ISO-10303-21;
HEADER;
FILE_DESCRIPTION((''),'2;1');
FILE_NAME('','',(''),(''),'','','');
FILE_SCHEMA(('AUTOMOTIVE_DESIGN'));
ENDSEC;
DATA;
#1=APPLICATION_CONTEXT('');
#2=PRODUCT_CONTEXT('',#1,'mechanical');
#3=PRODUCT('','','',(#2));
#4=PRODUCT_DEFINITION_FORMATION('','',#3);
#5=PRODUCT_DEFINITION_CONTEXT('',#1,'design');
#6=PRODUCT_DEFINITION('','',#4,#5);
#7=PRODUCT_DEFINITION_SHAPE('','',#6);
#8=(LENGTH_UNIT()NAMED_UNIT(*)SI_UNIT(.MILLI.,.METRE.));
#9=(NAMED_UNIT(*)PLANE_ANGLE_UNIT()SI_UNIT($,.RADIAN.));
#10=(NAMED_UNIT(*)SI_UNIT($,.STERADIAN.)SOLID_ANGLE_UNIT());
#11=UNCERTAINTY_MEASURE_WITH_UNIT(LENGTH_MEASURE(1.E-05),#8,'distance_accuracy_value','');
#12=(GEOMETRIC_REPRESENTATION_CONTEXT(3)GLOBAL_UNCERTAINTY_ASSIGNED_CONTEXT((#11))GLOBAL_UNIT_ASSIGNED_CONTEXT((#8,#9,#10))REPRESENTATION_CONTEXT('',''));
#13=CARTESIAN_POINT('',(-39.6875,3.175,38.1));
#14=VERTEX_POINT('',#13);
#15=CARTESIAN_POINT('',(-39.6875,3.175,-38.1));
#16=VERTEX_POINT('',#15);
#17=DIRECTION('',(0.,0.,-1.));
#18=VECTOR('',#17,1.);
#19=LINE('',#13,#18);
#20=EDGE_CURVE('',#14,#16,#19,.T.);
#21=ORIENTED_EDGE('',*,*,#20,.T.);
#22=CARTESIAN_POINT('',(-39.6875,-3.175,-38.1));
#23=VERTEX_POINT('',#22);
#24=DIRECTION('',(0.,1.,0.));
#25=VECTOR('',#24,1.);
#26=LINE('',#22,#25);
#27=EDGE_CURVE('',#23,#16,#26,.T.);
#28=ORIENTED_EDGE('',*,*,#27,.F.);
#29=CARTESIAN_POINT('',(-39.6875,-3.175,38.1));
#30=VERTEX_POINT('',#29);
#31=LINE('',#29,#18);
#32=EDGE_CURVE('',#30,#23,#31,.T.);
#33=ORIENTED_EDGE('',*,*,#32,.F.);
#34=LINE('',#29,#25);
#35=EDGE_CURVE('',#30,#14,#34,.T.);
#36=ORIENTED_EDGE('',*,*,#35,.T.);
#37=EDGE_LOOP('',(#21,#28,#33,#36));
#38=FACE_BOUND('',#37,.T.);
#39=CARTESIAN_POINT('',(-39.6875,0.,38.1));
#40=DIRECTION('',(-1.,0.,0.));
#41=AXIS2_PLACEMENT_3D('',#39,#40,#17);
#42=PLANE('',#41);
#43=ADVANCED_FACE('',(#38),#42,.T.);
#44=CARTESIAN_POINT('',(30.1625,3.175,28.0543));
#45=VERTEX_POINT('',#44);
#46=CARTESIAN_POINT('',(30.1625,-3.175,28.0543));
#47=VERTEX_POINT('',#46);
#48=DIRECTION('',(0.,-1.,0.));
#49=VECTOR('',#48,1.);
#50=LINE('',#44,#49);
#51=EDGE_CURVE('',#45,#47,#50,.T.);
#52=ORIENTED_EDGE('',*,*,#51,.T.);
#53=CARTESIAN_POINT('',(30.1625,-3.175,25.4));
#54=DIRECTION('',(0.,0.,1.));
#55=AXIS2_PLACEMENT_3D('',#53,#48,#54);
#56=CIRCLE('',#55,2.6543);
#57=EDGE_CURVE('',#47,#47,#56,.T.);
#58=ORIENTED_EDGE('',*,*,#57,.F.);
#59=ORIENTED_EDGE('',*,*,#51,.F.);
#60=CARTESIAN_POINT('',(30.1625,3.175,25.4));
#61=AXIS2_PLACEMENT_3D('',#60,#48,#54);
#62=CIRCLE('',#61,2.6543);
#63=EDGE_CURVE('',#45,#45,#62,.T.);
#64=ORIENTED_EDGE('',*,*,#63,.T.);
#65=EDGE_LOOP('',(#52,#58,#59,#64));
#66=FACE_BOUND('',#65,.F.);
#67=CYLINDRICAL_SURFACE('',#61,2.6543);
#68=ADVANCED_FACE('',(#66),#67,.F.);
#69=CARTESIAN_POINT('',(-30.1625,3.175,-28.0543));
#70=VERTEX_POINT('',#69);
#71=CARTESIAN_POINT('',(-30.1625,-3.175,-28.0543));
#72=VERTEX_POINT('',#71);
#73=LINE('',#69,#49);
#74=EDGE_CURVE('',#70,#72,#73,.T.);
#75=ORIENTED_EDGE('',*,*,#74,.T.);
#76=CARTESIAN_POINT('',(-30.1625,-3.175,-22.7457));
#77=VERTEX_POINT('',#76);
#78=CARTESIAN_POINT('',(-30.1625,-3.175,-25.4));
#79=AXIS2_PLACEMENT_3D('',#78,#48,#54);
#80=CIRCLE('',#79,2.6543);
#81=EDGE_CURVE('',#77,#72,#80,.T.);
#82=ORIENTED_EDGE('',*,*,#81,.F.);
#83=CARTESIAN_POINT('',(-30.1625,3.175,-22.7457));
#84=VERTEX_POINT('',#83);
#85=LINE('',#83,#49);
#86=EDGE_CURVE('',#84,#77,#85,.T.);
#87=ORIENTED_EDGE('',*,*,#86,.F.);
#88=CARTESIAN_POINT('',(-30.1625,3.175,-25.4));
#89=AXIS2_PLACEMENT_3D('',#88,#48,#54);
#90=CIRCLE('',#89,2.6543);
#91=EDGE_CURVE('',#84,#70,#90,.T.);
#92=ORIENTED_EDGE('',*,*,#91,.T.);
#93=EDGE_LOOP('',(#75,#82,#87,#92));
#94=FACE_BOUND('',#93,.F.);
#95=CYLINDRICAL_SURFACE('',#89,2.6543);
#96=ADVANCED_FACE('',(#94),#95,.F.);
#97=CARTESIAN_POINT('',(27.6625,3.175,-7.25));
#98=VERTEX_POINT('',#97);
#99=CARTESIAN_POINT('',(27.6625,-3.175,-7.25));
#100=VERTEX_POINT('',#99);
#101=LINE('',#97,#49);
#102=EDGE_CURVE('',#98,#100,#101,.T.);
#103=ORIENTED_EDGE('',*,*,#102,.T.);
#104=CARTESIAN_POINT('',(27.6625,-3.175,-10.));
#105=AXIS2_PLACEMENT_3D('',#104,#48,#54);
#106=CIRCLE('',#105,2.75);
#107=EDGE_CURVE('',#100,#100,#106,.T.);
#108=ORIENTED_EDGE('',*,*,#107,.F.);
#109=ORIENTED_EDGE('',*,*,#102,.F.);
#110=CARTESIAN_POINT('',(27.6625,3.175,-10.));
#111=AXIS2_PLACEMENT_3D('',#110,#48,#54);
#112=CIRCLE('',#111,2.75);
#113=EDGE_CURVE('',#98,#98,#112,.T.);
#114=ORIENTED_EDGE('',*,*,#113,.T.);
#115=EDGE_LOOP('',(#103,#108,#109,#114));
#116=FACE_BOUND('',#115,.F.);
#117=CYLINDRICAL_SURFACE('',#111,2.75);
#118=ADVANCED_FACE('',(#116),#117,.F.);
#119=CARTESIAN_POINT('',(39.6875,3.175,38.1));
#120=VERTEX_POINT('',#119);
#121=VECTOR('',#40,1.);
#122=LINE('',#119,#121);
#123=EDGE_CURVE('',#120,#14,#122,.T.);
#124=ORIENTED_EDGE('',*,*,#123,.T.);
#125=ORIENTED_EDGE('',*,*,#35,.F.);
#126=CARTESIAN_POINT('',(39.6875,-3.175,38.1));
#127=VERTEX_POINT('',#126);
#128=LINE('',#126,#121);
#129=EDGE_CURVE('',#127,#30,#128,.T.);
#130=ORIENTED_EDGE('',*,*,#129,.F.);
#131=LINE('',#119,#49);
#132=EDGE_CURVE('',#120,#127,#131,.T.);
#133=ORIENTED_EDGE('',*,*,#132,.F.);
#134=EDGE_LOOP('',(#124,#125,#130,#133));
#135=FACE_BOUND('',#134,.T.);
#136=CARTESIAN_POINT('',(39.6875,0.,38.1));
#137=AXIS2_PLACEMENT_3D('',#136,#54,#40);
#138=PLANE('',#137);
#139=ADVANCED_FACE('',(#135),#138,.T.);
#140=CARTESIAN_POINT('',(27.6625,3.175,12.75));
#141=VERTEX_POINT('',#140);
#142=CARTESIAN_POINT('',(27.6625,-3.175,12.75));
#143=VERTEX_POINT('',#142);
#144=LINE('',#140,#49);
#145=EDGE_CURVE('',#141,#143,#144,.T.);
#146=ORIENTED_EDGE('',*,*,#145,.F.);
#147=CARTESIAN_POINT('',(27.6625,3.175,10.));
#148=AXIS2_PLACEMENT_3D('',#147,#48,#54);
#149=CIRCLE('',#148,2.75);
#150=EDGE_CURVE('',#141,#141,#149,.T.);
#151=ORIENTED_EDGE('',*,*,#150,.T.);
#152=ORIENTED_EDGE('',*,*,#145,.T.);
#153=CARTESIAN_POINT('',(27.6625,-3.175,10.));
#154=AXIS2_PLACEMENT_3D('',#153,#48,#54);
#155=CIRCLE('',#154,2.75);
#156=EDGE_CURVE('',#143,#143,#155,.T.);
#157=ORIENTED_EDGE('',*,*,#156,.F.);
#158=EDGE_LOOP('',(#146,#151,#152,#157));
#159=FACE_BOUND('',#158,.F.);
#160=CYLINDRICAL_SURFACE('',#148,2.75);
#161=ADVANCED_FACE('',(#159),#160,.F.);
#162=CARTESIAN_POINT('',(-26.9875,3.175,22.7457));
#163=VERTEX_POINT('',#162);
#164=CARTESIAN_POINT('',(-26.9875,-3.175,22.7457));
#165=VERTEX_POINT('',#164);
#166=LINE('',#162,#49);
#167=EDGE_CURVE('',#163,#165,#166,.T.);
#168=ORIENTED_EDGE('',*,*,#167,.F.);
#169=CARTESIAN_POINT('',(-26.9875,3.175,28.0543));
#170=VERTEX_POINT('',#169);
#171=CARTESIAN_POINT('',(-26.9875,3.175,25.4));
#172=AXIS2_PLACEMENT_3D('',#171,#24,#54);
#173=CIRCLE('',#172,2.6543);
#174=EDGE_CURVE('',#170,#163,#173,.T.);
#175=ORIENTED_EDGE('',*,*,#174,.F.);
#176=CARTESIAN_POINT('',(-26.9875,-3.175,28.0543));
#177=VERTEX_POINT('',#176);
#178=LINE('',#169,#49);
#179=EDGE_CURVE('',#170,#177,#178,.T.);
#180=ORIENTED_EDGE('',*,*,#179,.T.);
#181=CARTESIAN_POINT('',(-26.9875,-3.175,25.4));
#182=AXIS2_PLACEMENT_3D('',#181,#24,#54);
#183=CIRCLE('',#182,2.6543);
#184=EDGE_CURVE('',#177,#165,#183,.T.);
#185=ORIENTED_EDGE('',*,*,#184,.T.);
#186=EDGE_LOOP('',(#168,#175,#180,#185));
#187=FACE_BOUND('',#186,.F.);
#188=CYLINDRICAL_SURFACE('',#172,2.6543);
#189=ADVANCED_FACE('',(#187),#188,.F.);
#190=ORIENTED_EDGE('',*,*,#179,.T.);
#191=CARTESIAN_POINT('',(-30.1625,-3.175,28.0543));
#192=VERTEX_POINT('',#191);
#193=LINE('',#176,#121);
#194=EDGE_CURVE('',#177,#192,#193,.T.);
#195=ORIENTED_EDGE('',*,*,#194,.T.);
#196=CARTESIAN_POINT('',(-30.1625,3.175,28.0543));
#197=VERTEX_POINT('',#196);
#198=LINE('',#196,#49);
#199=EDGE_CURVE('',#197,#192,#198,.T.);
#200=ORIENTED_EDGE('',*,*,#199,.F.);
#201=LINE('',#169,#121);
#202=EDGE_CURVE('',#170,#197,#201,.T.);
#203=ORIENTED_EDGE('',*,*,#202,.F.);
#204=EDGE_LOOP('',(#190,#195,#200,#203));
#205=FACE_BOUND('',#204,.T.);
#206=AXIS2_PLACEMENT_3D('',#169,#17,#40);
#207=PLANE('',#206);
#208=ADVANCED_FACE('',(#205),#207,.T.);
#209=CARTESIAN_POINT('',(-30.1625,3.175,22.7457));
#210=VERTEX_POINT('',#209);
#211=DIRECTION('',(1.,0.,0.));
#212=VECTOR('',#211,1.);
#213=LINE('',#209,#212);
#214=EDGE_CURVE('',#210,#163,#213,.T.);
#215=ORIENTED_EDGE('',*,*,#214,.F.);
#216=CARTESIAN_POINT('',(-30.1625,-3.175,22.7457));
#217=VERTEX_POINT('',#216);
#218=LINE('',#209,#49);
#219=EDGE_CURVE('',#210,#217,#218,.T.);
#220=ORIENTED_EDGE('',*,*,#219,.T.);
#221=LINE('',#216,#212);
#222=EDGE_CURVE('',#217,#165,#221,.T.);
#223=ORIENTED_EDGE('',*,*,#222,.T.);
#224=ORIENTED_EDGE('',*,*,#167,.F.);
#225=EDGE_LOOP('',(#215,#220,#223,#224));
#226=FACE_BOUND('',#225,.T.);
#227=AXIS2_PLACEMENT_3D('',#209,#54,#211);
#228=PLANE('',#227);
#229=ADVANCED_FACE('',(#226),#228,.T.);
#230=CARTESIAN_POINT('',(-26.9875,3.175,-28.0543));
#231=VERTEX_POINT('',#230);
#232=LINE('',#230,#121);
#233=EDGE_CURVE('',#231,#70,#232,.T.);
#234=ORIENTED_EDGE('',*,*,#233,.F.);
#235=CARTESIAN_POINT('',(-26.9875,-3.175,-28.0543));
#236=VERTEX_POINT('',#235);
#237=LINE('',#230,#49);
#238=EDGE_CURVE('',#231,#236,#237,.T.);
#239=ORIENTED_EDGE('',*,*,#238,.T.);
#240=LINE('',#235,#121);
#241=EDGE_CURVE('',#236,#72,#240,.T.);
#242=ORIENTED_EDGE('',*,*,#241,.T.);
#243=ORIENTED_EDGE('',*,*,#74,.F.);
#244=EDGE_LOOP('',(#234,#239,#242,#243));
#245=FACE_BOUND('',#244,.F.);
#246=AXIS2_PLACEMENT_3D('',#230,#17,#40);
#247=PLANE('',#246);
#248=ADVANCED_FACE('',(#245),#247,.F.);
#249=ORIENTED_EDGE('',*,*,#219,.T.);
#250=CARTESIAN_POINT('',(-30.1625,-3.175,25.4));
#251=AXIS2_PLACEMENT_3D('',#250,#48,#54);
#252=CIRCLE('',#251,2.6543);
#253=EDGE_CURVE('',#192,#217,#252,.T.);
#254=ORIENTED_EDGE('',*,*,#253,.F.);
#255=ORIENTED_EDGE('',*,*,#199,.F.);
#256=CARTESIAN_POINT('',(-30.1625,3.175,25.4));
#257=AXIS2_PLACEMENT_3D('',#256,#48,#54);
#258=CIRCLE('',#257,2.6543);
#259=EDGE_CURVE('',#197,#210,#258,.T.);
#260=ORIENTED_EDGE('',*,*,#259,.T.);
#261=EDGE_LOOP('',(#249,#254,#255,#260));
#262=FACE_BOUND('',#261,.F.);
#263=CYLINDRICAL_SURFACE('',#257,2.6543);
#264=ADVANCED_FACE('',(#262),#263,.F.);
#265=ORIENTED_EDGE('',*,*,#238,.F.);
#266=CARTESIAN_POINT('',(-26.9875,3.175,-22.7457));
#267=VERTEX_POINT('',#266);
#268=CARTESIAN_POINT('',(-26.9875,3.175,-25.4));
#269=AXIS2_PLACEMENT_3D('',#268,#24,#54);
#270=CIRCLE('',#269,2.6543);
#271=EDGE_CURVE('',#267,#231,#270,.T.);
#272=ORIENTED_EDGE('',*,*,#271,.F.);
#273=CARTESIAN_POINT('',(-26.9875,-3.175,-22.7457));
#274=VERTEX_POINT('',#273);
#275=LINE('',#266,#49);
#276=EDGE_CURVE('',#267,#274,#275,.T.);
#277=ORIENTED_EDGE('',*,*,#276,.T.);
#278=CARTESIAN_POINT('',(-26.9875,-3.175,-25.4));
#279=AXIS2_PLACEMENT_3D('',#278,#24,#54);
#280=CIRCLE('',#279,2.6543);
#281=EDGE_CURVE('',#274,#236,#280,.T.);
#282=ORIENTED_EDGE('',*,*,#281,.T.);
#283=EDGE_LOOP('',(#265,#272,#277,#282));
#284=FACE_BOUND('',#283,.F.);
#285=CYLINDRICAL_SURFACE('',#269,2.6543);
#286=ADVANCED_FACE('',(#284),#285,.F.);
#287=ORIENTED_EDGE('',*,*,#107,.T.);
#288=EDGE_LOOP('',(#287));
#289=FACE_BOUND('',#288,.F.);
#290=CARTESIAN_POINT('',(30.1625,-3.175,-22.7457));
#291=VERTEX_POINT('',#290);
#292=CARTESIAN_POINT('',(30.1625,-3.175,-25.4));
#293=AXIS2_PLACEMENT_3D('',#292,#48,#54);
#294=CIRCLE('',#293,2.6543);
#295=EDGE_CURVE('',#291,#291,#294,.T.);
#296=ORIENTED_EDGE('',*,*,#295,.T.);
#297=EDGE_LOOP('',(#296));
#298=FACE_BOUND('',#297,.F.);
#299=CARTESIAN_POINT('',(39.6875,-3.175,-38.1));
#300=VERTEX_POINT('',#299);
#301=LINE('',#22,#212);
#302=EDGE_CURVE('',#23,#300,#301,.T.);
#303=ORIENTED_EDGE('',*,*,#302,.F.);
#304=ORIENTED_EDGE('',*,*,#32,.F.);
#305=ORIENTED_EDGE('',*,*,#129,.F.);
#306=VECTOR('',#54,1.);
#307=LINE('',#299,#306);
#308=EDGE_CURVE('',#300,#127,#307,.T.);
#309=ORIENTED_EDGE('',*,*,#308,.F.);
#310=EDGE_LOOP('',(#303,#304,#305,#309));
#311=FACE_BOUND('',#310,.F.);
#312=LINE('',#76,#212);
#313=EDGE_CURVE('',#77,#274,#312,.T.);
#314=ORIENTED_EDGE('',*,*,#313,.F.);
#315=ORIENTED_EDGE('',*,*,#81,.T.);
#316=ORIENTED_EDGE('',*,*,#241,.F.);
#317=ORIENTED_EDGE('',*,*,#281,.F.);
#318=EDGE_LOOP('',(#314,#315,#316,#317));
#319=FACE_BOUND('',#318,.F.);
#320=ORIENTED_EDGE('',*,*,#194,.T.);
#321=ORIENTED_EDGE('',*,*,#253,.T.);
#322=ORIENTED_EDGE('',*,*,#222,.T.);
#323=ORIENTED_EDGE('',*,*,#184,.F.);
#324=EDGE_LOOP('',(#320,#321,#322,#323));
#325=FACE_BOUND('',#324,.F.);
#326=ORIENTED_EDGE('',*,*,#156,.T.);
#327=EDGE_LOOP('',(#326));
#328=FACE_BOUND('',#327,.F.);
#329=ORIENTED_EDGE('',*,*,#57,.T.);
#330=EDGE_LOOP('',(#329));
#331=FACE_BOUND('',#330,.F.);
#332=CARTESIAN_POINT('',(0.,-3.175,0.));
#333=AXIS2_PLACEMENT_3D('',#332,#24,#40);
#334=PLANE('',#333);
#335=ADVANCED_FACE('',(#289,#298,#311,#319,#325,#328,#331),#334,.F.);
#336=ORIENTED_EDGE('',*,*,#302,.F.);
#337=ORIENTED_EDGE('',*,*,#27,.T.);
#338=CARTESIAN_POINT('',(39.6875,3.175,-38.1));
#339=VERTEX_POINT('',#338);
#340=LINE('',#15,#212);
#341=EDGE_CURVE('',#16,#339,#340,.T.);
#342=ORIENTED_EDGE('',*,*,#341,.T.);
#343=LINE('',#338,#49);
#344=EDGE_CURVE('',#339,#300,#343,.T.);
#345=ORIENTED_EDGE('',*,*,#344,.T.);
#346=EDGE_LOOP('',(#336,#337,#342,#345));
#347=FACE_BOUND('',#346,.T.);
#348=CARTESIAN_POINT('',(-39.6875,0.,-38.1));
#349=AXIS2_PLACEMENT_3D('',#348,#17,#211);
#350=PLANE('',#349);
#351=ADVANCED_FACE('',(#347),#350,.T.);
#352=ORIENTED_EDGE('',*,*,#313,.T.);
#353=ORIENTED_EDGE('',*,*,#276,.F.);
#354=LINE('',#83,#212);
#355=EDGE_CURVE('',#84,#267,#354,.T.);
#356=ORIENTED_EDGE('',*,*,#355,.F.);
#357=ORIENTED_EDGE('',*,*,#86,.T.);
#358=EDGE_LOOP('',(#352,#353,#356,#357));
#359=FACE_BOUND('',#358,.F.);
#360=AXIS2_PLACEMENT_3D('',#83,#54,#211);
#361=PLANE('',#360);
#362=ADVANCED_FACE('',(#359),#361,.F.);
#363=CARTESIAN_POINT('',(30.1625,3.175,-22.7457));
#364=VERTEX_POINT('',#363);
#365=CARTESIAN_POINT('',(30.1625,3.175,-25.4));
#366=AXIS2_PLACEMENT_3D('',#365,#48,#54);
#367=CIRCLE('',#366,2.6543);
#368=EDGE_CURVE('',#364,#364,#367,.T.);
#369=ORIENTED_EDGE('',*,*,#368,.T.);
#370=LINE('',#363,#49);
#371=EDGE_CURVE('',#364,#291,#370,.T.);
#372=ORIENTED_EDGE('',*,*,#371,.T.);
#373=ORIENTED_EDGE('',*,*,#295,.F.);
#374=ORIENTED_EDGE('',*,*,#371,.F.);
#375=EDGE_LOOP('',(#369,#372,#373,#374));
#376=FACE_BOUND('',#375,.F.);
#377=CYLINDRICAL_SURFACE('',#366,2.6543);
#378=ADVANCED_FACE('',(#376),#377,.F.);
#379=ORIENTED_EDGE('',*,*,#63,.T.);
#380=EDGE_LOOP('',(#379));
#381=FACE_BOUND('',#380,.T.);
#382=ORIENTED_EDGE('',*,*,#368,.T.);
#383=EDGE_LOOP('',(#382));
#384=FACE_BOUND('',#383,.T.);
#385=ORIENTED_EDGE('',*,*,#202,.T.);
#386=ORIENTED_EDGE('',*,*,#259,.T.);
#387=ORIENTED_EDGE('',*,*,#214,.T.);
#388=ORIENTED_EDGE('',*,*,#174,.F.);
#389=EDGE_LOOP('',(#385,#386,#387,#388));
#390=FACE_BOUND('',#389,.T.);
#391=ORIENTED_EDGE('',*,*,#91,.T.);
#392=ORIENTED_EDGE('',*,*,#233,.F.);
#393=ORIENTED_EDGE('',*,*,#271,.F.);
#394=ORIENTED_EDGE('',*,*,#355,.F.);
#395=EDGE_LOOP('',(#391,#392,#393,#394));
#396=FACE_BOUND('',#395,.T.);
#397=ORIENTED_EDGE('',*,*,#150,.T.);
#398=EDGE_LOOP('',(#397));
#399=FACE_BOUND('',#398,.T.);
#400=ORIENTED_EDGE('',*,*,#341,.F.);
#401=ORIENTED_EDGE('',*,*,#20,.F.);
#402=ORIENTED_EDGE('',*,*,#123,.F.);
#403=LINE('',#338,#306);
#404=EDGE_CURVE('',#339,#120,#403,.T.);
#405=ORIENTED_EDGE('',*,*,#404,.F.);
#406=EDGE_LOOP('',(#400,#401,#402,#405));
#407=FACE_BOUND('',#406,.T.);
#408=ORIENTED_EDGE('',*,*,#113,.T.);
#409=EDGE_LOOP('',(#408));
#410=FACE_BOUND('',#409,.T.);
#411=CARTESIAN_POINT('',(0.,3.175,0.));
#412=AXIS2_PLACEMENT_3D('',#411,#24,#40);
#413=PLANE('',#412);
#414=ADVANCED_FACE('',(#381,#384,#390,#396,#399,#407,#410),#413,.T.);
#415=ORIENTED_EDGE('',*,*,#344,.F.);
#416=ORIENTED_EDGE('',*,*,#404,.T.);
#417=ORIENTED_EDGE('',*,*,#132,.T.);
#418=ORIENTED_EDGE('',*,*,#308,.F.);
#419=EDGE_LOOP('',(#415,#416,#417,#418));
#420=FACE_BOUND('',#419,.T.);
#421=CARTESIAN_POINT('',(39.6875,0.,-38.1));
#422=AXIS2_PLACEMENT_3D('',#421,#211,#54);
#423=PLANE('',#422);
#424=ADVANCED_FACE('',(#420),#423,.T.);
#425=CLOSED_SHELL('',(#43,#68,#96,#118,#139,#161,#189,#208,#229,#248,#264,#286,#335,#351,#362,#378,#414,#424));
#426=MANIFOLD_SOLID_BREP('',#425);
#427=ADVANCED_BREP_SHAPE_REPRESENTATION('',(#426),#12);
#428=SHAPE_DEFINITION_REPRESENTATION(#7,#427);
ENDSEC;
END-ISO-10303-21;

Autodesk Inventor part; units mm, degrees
ref_plane "YZ Plane" through (0, 0, 0) normal (1, 0, 0) x (0, 1, 0)
ref_plane "XZ Plane" through (0, 0, 0) normal (0, 1, 0) x (-1, 0, 0)
ref_plane "XY Plane" through (0, 0, 0) normal (0, 0, 1) x (1, 0, 0)
sketch "Sketch1" plane through (0, 0, 0) normal (0, 1, 0) x (-1, 0, 0)
  line L0 (39.6875, -38.1) -> (-39.6875, -38.1)
  line L1 (-39.6875, -38.1) -> (-39.6875, 38.1)
  line L2 (-39.6875, 38.1) -> (39.6875, 38.1)
  line L3 (39.6875, 38.1) -> (39.6875, -38.1)
  line L4 (39.6875, -38.1) -> (-39.6875, 38.1) construction
  line L5 (-39.6875, -38.1) -> (39.6875, 38.1) construction
  point P0 (0, 0)
  dimension "d0" = 76.2
  dimension "d1" = 79.375
extrude "Extrusion1" add sketch "Sketch1" along normal mid plane 6.35
sketch "Sketch2" plane through (0, 3.175, 0) normal (0, 1, 0) x (1, 0, 0)
  line L0 (-39.6875, 38.1) -> (-39.6875, -38.1) projected
  line L1 (39.6875, -38.1) -> (39.6875, 38.1) projected
  line L2 (39.6875, 38.1) -> (-39.6875, 38.1) projected
  line L3 (-39.6875, -38.1) -> (39.6875, -38.1) projected
  point P0 (0, 0)
  point P1 (-30.1625, 25.4)
  point P2 (-30.1625, -25.4)
  point P3 (30.1625, 25.4)
  point P4 (30.1625, -25.4)
  dimension "d4" = 9.525
  dimension "d5" = 9.525
  dimension "d6" = 9.525
  dimension "d7" = 9.525
  dimension "d8" = 12.7
  dimension "d9" = 12.7
  dimension "d10" = 12.7
  dimension "d11" = 12.7
hole "Hole1" at (-30.1625, 3.175, -25.4) at (-30.1625, 3.175, 25.4) at (30.1625, 3.175, -25.4) at (30.1625, 3.175, 25.4) direction (0, -1, 0) diameter 5.3086 end through all clearance for "Socket Head Cap Screw" size "M5" standard "Ansi Metric M Profile"
sketch "Sketch3" plane through (0, 3.175, 0) normal (0, 1, 0) x (1, 0, 0)
  circle A0 centre (30.1625, 25.4) radius 2.6543 projected
  circle A1 centre (-30.1625, 25.4) radius 2.6543 projected
  circle A2 centre (-30.1625, -25.4) radius 2.6543 projected
  circle A3 centre (30.1625, -25.4) radius 2.6543 projected
  line L0 (39.6875, -38.1) -> (39.6875, 38.1) projected
  line L1 (39.6875, 38.1) -> (-39.6875, 38.1) projected
  line L2 (-39.6875, 38.1) -> (-39.6875, -38.1) projected
  line L3 (-39.6875, -38.1) -> (39.6875, -38.1) projected
  line L4 (-30.1625, 25.4) -> (-26.9875, 25.4) construction
  line L5 (-30.1625, 22.7457) -> (-26.9875, 22.7457)
  line L6 (-26.9875, 28.0543) -> (-30.1625, 28.0543)
  arc A4 (-30.1625, 28.0543) -> (-30.1625, 22.7457) centre (-30.1625, 25.4) ccw
  arc A5 (-26.9875, 22.7457) -> (-26.9875, 28.0543) centre (-26.9875, 25.4) ccw
  line L7 (-30.1625, -25.4) -> (-26.9875, -25.4) construction
  line L8 (-30.1625, -22.7457) -> (-26.9875, -22.7457)
  line L9 (-26.9875, -28.0543) -> (-30.1625, -28.0543)
  arc A6 (-30.1625, -22.7457) -> (-30.1625, -28.0543) centre (-30.1625, -25.4) ccw
  arc A7 (-26.9875, -28.0543) -> (-26.9875, -22.7457) centre (-26.9875, -25.4) ccw
  point P0 (0, 0)
  point P1 (-28.575, 25.4)
  point P2 (-28.575, -25.4)
  dimension "d19" = 3.175
  dimension "d20" = 3.175
extrude "Extrusion2" cut sketch "Sketch3" against normal blind 6.35 contours A1 L6 A5 L5 | A2 L8 A7 L9
sketch "Sketch4" plane through (0, 3.175, 0) normal (0, 1, 0) x (1, 0, 0)
  line L0 (39.6875, -38.1) -> (39.6875, 38.1) projected
  line L1 (39.6875, 38.1) -> (-39.6875, 38.1) projected
  line L2 (-39.6875, -38.1) -> (39.6875, -38.1) projected
  circle A0 centre (30.1625, 25.4) radius 2.6543 projected
  circle A1 centre (30.1625, -25.4) radius 2.6543 projected
  point P0 (0, 0)
  point P1 (27.6625, 10)
  point P2 (27.6625, -10)
  dimension "d33" = 15.4
  dimension "d34" = 2.5
  dimension "d35" = 15.4
hole "Hole2" at (27.6625, 3.175, -10) at (27.6625, 3.175, 10) direction (0, -1, 0) diameter 5.5 end through all
equation "\"d5\" = d4"
equation "\"d6\" = d5"
equation "\"d7\" = d4"
equation "\"d9\" = d8"
equation "\"d10\" = d8"
equation "\"d11\" = d10"
equation "\"d20\" = d19"
equation "\"d35\" = d33"
properties part number "X-Axis_End_Plate_LM3004" material "Polycarbonate, Smoke"
